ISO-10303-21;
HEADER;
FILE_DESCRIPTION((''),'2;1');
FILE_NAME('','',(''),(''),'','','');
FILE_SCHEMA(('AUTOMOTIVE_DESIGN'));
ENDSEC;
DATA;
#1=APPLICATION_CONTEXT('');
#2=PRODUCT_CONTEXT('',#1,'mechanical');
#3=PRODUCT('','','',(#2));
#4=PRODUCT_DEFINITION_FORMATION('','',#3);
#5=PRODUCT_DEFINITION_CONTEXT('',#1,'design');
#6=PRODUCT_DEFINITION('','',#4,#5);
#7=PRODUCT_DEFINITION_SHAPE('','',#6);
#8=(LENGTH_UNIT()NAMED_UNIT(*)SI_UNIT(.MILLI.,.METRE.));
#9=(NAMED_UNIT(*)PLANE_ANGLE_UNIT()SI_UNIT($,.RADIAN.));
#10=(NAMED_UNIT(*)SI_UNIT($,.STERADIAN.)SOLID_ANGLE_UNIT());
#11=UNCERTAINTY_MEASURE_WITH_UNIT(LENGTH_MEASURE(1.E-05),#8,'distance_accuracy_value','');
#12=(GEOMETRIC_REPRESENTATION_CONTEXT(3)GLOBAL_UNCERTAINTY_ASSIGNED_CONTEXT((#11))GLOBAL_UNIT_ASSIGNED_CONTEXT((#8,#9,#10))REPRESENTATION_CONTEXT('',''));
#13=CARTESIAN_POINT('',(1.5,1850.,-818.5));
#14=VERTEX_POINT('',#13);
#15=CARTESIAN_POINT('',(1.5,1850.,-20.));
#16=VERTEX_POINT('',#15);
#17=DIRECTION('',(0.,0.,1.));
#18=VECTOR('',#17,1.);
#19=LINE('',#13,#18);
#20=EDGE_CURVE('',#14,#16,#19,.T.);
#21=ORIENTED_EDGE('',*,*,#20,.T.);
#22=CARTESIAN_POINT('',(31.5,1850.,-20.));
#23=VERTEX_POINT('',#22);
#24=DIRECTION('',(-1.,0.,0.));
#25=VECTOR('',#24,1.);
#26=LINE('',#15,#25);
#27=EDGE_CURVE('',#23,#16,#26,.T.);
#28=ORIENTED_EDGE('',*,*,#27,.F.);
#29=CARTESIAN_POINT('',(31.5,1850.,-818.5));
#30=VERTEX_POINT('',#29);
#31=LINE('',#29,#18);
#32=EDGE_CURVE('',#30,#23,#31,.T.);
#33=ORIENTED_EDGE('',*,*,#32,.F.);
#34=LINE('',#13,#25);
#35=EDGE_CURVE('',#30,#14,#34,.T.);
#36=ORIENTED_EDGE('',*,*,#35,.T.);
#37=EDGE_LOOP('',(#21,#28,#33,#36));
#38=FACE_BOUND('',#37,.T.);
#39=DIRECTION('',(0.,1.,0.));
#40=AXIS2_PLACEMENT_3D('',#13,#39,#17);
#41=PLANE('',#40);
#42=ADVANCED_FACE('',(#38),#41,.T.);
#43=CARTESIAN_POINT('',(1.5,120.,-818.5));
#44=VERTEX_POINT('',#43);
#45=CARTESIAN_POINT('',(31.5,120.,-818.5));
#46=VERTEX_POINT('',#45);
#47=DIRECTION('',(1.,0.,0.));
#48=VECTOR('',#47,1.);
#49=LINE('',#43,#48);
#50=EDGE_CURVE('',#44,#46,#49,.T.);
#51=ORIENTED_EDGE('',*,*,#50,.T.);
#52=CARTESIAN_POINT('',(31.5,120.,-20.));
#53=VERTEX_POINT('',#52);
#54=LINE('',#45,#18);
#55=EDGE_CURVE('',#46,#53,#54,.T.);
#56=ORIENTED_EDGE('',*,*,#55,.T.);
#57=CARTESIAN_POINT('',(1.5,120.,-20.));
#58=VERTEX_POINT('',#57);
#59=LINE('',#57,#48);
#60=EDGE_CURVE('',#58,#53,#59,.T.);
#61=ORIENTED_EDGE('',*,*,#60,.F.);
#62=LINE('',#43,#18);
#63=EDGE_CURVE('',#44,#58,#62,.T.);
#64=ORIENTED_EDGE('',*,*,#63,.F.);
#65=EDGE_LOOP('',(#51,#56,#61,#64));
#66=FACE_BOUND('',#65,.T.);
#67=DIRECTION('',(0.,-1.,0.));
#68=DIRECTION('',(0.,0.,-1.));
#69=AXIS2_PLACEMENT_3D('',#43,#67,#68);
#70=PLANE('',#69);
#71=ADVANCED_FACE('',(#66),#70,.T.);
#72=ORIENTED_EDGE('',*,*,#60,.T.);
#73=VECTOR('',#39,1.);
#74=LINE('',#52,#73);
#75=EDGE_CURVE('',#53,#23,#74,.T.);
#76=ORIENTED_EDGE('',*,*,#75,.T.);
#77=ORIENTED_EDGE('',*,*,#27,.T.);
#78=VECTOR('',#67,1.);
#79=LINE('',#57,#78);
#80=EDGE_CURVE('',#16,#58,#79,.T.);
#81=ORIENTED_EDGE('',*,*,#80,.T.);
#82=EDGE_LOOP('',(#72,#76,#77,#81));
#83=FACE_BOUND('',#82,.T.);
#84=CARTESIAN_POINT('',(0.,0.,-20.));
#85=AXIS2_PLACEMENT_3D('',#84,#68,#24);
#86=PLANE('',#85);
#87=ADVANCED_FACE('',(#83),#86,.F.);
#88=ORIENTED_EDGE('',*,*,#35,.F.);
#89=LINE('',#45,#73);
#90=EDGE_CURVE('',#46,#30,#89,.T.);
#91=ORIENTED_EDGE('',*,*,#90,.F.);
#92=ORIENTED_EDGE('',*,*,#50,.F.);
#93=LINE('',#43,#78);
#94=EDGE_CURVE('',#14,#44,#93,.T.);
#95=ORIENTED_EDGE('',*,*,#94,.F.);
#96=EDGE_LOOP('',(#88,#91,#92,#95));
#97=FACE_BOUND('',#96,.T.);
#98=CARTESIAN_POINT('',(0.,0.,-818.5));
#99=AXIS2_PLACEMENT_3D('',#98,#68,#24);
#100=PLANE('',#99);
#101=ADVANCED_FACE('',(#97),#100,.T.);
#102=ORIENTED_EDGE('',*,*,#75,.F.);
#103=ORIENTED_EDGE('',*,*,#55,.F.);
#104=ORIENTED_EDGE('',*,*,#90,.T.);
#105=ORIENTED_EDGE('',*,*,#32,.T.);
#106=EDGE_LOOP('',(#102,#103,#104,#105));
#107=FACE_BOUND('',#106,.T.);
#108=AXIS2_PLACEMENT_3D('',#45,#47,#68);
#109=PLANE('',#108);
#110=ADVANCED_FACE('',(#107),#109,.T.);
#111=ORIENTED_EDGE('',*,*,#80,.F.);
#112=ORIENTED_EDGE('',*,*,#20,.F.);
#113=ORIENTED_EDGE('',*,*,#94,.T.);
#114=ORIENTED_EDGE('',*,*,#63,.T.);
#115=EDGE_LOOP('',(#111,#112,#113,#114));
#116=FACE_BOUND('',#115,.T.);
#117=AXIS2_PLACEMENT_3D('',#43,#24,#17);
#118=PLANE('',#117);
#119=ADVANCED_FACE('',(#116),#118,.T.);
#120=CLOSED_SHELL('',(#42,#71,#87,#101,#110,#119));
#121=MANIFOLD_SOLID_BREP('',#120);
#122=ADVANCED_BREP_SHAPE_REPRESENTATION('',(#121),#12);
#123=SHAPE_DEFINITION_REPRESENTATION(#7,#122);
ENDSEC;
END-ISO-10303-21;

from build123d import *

# Parameters (mm, degrees)
OVEN_YALITIM_TASYUNU_SOL_1_START = -20
SKETCH1_W                        = 30
SKETCH1_H                        = 1730
OVEN_YALITIM_TASYUNU_SOL_1_DEPTH = 798.5


with BuildPart() as part:
    # Sketch1 → OVEN_yalitim_tasyunu_sol_1 (new body)
    with BuildSketch(Plane.XY.offset(OVEN_YALITIM_TASYUNU_SOL_1_START)):
        with Locations((16.5, 985)):
            Rectangle(SKETCH1_W, SKETCH1_H)
    extrude(amount=-OVEN_YALITIM_TASYUNU_SOL_1_DEPTH)


solid = part.part
